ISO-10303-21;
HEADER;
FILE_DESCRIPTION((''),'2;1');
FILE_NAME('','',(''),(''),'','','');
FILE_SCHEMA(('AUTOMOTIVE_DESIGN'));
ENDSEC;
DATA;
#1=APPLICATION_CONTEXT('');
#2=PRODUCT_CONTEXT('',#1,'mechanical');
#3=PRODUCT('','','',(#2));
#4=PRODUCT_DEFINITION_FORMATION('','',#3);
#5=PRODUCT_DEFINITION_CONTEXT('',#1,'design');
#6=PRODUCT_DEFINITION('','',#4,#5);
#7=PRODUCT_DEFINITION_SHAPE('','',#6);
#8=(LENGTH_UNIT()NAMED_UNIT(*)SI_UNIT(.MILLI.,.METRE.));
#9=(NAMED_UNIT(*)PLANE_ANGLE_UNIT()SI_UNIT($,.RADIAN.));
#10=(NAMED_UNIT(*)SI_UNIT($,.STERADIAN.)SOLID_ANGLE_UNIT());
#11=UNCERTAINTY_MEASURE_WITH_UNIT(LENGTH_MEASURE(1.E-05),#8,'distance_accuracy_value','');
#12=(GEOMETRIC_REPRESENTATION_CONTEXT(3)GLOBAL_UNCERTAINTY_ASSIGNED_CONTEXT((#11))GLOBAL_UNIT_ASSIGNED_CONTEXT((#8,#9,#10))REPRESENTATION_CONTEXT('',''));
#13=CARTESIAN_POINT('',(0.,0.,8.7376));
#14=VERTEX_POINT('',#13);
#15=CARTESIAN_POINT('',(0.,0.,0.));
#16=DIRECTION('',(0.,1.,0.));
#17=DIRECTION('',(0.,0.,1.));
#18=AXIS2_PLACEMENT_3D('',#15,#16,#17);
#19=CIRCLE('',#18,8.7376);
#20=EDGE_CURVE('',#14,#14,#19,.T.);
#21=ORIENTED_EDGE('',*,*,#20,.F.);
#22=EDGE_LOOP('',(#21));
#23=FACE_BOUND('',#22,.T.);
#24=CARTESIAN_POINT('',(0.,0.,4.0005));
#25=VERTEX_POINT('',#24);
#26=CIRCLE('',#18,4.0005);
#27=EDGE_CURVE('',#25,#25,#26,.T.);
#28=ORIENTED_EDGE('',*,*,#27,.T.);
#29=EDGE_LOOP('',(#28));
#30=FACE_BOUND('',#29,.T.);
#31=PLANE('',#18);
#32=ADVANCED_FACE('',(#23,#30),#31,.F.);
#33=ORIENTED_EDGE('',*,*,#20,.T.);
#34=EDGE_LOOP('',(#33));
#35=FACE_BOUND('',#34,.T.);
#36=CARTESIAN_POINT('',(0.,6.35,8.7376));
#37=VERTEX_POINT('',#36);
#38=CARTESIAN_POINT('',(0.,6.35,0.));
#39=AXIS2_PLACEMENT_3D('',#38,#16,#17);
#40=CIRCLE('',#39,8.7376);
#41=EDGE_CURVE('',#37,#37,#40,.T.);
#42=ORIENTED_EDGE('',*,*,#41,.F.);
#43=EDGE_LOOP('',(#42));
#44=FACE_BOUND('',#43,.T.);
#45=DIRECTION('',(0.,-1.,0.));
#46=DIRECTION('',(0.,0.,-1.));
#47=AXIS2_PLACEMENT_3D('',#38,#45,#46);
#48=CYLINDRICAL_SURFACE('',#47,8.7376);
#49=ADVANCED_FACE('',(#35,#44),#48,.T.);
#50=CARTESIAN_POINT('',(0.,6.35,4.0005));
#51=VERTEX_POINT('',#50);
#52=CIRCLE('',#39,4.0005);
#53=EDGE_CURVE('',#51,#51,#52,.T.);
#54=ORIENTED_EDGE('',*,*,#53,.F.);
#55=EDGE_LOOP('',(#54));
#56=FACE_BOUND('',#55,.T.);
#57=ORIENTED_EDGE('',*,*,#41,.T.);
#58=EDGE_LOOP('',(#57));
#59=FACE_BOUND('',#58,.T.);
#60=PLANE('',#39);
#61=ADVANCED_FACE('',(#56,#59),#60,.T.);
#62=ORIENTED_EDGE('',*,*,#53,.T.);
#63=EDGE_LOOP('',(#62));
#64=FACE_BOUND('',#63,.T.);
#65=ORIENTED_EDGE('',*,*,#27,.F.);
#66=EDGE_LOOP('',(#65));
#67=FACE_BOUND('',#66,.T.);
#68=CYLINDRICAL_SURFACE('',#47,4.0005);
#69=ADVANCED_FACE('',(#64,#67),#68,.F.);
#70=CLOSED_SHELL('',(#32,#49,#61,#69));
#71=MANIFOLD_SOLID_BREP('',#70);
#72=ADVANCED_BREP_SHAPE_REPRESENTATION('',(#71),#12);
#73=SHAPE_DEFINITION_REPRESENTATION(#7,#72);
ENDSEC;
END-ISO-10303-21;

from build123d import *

# Parameters (mm, degrees)
SKETCH1_R           = 8.7376
SKETCH1_R_2         = 4.0005
BOSS_EXTRUDE1_DEPTH = 6.35


with BuildPart() as part:
    # Sketch1 → Boss-Extrude1 (new body)
    with BuildSketch(Plane(origin=(0, 0, 0), x_dir=(1, 0, 0), z_dir=(0, 1, 0))):
        Circle(SKETCH1_R)
        Circle(SKETCH1_R_2, mode=Mode.SUBTRACT)
    extrude(amount=BOSS_EXTRUDE1_DEPTH)


solid = part.part
